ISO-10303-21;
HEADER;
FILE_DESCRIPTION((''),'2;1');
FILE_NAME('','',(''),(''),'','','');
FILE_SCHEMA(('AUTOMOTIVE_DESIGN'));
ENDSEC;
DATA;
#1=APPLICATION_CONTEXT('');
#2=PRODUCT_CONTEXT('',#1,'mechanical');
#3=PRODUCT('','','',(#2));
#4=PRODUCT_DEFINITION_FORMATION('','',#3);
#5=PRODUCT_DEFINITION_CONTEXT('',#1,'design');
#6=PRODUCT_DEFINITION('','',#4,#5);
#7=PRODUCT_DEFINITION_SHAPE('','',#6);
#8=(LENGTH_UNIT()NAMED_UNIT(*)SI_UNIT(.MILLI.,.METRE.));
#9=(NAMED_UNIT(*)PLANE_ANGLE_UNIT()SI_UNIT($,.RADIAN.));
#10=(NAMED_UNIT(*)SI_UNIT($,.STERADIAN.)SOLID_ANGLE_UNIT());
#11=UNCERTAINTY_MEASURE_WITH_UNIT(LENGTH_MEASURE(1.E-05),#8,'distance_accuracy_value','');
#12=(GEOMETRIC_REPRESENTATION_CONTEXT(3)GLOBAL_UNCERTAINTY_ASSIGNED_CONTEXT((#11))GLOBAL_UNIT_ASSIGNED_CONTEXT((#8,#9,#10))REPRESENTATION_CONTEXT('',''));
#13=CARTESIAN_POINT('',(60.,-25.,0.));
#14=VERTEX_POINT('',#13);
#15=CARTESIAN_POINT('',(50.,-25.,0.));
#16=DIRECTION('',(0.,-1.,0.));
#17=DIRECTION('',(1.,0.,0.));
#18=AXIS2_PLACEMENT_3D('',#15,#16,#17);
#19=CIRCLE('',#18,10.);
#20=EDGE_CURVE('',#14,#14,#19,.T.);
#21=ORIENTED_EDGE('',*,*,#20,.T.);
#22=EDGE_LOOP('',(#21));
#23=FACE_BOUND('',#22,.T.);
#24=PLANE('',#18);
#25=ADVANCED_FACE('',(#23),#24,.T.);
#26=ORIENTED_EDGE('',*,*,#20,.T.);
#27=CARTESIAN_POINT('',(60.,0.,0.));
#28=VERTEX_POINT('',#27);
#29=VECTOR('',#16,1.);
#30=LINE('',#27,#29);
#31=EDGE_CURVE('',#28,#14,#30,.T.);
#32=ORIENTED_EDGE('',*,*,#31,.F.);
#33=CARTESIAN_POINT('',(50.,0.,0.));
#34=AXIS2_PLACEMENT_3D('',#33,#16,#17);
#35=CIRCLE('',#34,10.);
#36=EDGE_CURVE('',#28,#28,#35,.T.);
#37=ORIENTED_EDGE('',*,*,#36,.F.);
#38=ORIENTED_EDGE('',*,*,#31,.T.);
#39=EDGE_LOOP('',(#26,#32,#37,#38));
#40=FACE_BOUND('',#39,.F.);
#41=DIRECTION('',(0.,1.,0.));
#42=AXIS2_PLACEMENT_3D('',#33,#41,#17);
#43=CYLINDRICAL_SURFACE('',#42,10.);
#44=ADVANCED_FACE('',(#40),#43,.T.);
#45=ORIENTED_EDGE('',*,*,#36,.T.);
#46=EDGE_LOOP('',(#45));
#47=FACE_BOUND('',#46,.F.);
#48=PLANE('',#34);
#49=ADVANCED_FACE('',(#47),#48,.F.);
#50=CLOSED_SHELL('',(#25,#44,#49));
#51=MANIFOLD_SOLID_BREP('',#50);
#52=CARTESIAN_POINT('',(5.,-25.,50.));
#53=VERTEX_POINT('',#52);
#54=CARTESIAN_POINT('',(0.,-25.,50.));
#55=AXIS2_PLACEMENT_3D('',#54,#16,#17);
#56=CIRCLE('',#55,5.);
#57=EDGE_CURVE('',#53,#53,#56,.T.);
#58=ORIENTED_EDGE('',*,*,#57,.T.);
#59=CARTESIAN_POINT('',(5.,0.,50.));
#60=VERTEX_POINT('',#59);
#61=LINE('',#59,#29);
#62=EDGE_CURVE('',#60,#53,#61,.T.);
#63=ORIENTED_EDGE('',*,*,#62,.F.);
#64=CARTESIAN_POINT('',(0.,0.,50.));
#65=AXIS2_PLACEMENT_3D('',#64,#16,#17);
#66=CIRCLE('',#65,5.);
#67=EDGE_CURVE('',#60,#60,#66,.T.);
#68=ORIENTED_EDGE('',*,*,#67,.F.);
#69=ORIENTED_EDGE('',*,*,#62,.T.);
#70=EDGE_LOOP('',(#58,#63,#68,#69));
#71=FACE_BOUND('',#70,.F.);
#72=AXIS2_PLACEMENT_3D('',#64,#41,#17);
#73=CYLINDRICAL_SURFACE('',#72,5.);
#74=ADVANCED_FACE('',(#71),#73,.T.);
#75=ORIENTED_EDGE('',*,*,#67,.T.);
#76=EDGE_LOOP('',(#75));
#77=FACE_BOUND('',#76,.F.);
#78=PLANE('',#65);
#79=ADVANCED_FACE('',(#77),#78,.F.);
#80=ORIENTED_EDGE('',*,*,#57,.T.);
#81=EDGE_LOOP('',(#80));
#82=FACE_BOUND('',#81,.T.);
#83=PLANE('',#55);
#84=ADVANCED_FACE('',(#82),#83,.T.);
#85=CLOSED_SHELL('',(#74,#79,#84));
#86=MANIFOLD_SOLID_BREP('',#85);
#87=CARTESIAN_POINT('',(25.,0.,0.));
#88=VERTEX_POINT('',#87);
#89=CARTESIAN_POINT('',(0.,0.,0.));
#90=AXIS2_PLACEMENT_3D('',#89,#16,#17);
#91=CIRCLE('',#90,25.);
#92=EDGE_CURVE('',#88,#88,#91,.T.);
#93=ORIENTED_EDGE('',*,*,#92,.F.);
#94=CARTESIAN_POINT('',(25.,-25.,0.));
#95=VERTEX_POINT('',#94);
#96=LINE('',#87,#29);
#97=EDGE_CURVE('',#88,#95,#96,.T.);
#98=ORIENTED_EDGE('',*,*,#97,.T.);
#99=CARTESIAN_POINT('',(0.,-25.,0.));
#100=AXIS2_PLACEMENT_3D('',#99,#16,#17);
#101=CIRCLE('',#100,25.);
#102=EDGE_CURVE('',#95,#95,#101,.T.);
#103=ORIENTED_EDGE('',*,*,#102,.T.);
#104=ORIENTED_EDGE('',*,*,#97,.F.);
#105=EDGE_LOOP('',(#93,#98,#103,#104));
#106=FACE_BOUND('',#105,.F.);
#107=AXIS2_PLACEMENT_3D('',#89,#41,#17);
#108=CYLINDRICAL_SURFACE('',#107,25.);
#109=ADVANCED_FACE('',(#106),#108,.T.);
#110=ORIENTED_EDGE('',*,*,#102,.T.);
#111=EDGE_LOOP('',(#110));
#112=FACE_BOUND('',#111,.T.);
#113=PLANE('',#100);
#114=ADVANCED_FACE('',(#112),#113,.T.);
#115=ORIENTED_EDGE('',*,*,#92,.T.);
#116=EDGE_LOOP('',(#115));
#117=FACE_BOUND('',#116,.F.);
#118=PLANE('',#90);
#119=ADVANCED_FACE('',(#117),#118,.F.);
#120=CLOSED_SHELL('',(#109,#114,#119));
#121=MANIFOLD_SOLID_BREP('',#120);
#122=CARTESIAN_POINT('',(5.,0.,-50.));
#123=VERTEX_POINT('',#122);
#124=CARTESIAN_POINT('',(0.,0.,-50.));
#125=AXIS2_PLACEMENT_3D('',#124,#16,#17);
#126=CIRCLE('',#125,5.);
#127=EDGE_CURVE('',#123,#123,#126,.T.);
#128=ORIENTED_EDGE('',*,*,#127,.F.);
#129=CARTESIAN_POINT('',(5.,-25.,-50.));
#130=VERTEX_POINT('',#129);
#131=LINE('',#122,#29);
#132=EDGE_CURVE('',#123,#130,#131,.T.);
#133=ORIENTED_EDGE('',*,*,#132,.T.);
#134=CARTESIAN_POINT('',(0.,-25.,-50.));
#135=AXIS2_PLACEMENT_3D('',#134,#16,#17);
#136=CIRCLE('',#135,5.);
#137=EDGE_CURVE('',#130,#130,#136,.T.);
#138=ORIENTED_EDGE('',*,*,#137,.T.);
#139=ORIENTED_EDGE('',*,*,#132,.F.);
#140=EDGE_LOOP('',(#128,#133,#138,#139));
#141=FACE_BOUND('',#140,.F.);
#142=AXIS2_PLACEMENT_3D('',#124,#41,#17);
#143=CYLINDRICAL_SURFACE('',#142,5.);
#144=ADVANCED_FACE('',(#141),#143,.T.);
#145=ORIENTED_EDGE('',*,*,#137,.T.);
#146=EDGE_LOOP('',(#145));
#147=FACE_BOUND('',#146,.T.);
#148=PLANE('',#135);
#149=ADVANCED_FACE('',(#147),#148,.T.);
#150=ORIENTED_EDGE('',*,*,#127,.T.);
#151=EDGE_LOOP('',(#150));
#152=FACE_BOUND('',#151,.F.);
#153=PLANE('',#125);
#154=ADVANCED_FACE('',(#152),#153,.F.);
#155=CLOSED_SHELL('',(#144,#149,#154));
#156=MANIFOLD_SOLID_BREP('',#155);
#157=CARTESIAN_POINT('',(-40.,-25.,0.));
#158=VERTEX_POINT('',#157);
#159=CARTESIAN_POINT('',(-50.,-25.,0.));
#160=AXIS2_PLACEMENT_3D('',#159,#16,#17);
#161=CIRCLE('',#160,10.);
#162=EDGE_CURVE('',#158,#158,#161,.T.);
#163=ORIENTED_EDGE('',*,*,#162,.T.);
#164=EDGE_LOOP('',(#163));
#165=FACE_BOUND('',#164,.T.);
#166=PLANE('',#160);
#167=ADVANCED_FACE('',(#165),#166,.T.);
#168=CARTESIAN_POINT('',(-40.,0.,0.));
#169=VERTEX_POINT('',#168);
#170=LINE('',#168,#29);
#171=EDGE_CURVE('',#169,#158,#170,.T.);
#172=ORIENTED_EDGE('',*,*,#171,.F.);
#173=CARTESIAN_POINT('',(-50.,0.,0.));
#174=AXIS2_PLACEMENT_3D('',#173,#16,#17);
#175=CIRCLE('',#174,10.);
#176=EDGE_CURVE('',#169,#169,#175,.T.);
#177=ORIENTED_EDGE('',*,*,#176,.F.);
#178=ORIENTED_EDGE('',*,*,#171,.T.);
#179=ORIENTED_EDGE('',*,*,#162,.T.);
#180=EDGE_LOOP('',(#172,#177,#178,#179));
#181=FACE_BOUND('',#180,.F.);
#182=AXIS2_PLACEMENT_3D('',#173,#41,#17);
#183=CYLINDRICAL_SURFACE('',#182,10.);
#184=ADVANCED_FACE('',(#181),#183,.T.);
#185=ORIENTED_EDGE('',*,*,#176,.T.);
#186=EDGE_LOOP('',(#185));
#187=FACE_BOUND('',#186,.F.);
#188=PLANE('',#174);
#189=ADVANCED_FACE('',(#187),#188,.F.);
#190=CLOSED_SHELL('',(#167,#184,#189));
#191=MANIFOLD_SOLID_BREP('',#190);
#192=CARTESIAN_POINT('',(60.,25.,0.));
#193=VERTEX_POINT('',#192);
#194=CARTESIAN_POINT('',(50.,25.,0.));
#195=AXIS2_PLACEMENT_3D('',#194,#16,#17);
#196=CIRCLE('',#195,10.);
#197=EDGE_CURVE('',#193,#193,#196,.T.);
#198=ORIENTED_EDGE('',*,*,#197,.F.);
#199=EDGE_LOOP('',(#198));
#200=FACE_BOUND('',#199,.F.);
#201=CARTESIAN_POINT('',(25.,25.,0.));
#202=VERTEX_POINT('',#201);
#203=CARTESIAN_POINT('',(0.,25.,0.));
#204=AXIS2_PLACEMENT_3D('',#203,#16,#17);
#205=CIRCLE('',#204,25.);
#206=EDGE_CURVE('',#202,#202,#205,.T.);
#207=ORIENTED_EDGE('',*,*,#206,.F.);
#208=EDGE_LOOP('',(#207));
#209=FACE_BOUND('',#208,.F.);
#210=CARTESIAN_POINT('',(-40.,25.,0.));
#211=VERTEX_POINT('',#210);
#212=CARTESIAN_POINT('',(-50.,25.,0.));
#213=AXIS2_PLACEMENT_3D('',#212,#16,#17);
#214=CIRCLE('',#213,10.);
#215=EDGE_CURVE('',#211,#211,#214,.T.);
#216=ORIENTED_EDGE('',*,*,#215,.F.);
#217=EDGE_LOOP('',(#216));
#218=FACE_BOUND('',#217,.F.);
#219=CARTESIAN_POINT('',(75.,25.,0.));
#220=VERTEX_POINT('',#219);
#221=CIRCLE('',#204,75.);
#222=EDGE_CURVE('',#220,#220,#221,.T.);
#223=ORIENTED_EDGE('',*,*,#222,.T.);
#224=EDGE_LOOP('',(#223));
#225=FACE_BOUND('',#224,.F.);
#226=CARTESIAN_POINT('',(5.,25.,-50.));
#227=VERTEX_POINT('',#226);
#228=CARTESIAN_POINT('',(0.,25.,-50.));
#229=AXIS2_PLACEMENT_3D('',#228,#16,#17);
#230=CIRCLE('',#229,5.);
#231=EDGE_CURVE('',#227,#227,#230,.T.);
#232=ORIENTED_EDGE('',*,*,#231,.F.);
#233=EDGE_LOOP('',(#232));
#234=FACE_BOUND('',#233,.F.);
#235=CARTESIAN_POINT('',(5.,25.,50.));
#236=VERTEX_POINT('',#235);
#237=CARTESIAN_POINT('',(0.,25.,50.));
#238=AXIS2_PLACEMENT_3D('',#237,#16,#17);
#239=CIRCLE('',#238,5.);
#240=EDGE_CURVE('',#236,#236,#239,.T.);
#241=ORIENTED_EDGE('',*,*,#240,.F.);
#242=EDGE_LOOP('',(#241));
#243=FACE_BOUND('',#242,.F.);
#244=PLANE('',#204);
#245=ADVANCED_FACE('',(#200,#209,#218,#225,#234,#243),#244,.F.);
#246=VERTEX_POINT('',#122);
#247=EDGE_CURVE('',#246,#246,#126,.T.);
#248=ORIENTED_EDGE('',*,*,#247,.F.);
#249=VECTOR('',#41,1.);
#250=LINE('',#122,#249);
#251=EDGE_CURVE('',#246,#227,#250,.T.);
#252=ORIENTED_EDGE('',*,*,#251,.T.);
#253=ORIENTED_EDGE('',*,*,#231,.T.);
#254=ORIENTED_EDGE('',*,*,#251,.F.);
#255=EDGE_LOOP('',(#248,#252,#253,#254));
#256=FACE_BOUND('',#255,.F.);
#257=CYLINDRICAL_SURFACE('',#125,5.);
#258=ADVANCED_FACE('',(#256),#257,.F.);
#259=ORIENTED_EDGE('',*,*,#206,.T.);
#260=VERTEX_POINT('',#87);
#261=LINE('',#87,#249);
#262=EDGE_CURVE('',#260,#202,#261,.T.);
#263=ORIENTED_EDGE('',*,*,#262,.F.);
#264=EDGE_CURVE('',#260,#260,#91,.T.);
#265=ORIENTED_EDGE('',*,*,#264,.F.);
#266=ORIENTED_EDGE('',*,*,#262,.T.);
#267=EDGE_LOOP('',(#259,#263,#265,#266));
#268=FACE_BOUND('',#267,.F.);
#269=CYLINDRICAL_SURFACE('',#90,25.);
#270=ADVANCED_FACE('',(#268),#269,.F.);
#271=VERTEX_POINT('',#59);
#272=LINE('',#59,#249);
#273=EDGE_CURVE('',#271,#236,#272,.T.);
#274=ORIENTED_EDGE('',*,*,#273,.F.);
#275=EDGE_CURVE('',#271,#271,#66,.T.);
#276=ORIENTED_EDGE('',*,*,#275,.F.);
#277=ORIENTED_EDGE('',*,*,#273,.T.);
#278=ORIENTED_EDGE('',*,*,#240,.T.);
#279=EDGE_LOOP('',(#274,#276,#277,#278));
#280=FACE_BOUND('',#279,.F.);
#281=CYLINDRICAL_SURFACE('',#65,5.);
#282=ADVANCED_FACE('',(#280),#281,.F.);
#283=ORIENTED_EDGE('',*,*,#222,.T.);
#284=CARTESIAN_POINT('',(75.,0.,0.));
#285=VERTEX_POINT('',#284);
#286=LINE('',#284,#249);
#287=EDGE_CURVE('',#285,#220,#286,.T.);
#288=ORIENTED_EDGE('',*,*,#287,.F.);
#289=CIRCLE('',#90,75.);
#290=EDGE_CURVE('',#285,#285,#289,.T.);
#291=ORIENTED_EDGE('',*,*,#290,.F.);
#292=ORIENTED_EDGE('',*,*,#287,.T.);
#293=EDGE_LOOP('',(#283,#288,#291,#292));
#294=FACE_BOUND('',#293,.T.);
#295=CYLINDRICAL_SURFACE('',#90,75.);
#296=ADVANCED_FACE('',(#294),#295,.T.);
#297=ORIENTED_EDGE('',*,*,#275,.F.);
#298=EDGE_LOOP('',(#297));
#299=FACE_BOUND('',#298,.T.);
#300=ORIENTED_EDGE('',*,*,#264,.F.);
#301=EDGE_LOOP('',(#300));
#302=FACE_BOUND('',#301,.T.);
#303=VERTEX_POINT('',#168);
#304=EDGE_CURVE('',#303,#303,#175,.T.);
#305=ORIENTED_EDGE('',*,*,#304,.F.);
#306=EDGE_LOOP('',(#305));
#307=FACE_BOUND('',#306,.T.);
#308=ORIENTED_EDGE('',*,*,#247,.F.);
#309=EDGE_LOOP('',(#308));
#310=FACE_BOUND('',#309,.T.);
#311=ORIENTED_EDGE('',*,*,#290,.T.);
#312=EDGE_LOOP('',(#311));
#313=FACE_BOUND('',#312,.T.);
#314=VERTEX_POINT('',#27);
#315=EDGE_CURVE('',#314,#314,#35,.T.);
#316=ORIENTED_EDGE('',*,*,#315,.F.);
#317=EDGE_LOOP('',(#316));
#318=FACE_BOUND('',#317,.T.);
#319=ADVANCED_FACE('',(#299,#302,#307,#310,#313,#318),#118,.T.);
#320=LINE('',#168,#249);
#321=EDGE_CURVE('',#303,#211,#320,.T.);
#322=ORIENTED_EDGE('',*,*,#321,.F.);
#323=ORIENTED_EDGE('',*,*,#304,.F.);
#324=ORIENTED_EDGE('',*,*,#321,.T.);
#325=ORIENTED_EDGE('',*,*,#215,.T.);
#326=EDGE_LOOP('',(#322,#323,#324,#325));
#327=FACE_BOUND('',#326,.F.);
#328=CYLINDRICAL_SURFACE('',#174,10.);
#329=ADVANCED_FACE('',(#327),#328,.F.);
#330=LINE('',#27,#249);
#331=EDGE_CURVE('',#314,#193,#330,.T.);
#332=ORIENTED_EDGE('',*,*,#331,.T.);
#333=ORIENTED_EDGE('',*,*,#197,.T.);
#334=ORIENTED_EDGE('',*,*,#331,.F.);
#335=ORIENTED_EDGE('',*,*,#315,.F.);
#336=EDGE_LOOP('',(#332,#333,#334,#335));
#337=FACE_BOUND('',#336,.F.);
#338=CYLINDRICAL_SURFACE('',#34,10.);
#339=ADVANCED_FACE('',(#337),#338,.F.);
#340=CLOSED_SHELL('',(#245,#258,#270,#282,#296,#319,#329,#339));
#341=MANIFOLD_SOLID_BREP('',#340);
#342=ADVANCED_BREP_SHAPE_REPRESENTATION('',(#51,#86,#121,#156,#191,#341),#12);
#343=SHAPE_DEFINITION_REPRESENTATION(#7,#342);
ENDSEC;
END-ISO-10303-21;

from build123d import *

# Parameters (mm, degrees)
F0_R     = 10
F0_R_2   = 5
F0_R_3   = 25
F1_DEPTH = 25
F0_R_4   = 75
F2_DEPTH = 25


with BuildPart() as f1:
    # F0 (on Front) → F1 (new body)
    with BuildSketch(Plane.XZ):
        with Locations((-50, 0)):
            Circle(F0_R)
        with Locations((0, 50)):
            Circle(F0_R_2)
        with Locations((50, 0)):
            Circle(F0_R)
        with Locations((0, -50)):
            Circle(F0_R_2)
        Circle(F0_R_3)
    extrude(amount=F1_DEPTH)


with BuildPart() as f2:
    # F0 (on Front) → F2 (new body)
    with BuildSketch(Plane.XZ):
        Circle(F0_R_4)
        with Locations((0, -50)):
            Circle(F0_R_2, mode=Mode.SUBTRACT)
        with Locations((-50, 0)):
            Circle(F0_R, mode=Mode.SUBTRACT)
        Circle(F0_R_3, mode=Mode.SUBTRACT)
        with Locations((50, 0)):
            Circle(F0_R, mode=Mode.SUBTRACT)
        with Locations((0, 50)):
            Circle(F0_R_2, mode=Mode.SUBTRACT)
    extrude(amount=-F2_DEPTH)


solid = Compound([f1.part, f2.part])
